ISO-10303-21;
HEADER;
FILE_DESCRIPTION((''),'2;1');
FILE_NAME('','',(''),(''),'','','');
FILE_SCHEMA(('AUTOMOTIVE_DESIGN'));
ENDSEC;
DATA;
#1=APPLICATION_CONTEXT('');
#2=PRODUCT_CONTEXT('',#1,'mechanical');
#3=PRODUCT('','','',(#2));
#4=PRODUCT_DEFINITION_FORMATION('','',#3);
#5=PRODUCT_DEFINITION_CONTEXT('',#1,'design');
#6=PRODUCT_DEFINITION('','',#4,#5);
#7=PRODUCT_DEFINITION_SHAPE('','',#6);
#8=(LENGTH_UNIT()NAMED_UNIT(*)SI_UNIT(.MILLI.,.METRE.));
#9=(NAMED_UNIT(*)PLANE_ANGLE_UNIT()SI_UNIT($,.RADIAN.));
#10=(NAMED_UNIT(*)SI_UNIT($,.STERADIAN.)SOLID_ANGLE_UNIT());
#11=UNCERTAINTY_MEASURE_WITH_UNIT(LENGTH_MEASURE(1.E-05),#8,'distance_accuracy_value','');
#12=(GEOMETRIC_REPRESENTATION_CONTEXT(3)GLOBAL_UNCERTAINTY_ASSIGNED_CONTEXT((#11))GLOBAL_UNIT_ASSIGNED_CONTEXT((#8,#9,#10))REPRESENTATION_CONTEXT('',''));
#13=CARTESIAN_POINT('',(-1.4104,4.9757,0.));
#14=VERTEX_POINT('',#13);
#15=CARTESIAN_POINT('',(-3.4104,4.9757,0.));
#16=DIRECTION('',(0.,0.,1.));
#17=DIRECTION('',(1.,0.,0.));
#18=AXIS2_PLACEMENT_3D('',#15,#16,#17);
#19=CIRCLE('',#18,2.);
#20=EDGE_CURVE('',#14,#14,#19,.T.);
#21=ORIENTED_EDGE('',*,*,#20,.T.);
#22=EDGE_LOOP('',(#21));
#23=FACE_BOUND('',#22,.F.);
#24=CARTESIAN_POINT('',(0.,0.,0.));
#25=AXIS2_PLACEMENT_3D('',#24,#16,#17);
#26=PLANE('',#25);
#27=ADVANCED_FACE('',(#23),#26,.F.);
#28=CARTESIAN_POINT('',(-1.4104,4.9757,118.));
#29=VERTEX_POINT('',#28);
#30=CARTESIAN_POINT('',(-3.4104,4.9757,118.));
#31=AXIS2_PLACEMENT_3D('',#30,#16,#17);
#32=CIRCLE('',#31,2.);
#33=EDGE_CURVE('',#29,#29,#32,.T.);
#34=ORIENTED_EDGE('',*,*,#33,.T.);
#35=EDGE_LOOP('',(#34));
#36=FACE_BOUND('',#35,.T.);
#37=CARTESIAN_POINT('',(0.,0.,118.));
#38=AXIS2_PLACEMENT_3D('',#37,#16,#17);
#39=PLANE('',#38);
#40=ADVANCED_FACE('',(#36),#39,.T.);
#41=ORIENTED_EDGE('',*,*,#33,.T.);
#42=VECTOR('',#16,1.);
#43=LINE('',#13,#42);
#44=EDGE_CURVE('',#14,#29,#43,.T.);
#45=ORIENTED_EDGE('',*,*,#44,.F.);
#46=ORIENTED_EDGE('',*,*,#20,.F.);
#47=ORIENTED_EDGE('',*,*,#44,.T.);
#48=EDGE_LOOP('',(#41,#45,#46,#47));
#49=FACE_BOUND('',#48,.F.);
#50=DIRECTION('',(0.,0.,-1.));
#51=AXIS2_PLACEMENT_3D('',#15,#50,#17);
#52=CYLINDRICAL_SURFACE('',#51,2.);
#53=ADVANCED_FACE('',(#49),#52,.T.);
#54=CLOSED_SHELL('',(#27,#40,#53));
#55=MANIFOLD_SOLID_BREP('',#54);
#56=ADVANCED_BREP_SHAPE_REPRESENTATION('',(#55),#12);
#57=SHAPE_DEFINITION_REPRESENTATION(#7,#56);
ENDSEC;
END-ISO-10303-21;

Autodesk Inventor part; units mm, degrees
ref_plane "YZ Plane" through (0, 0, 0) normal (1, 0, 0) x (0, 1, 0)
ref_plane "XZ Plane" through (0, 0, 0) normal (0, 1, 0) x (-1, 0, 0)
ref_plane "XY Plane" through (0, 0, 0) normal (0, 0, 1) x (1, 0, 0)
sketch "Sketch1" plane through (0, 0, 0) normal (0, 0, 1) x (1, 0, 0)
  circle A0 centre (-3.4104, 4.9757) radius 2
  point P0 (0, 0)
  dimension "d1" = 4
  dimension "d1" = 4
extrude "Extrusion1" add sketch "Sketch1" along normal blind 118
properties part number "Barra"
